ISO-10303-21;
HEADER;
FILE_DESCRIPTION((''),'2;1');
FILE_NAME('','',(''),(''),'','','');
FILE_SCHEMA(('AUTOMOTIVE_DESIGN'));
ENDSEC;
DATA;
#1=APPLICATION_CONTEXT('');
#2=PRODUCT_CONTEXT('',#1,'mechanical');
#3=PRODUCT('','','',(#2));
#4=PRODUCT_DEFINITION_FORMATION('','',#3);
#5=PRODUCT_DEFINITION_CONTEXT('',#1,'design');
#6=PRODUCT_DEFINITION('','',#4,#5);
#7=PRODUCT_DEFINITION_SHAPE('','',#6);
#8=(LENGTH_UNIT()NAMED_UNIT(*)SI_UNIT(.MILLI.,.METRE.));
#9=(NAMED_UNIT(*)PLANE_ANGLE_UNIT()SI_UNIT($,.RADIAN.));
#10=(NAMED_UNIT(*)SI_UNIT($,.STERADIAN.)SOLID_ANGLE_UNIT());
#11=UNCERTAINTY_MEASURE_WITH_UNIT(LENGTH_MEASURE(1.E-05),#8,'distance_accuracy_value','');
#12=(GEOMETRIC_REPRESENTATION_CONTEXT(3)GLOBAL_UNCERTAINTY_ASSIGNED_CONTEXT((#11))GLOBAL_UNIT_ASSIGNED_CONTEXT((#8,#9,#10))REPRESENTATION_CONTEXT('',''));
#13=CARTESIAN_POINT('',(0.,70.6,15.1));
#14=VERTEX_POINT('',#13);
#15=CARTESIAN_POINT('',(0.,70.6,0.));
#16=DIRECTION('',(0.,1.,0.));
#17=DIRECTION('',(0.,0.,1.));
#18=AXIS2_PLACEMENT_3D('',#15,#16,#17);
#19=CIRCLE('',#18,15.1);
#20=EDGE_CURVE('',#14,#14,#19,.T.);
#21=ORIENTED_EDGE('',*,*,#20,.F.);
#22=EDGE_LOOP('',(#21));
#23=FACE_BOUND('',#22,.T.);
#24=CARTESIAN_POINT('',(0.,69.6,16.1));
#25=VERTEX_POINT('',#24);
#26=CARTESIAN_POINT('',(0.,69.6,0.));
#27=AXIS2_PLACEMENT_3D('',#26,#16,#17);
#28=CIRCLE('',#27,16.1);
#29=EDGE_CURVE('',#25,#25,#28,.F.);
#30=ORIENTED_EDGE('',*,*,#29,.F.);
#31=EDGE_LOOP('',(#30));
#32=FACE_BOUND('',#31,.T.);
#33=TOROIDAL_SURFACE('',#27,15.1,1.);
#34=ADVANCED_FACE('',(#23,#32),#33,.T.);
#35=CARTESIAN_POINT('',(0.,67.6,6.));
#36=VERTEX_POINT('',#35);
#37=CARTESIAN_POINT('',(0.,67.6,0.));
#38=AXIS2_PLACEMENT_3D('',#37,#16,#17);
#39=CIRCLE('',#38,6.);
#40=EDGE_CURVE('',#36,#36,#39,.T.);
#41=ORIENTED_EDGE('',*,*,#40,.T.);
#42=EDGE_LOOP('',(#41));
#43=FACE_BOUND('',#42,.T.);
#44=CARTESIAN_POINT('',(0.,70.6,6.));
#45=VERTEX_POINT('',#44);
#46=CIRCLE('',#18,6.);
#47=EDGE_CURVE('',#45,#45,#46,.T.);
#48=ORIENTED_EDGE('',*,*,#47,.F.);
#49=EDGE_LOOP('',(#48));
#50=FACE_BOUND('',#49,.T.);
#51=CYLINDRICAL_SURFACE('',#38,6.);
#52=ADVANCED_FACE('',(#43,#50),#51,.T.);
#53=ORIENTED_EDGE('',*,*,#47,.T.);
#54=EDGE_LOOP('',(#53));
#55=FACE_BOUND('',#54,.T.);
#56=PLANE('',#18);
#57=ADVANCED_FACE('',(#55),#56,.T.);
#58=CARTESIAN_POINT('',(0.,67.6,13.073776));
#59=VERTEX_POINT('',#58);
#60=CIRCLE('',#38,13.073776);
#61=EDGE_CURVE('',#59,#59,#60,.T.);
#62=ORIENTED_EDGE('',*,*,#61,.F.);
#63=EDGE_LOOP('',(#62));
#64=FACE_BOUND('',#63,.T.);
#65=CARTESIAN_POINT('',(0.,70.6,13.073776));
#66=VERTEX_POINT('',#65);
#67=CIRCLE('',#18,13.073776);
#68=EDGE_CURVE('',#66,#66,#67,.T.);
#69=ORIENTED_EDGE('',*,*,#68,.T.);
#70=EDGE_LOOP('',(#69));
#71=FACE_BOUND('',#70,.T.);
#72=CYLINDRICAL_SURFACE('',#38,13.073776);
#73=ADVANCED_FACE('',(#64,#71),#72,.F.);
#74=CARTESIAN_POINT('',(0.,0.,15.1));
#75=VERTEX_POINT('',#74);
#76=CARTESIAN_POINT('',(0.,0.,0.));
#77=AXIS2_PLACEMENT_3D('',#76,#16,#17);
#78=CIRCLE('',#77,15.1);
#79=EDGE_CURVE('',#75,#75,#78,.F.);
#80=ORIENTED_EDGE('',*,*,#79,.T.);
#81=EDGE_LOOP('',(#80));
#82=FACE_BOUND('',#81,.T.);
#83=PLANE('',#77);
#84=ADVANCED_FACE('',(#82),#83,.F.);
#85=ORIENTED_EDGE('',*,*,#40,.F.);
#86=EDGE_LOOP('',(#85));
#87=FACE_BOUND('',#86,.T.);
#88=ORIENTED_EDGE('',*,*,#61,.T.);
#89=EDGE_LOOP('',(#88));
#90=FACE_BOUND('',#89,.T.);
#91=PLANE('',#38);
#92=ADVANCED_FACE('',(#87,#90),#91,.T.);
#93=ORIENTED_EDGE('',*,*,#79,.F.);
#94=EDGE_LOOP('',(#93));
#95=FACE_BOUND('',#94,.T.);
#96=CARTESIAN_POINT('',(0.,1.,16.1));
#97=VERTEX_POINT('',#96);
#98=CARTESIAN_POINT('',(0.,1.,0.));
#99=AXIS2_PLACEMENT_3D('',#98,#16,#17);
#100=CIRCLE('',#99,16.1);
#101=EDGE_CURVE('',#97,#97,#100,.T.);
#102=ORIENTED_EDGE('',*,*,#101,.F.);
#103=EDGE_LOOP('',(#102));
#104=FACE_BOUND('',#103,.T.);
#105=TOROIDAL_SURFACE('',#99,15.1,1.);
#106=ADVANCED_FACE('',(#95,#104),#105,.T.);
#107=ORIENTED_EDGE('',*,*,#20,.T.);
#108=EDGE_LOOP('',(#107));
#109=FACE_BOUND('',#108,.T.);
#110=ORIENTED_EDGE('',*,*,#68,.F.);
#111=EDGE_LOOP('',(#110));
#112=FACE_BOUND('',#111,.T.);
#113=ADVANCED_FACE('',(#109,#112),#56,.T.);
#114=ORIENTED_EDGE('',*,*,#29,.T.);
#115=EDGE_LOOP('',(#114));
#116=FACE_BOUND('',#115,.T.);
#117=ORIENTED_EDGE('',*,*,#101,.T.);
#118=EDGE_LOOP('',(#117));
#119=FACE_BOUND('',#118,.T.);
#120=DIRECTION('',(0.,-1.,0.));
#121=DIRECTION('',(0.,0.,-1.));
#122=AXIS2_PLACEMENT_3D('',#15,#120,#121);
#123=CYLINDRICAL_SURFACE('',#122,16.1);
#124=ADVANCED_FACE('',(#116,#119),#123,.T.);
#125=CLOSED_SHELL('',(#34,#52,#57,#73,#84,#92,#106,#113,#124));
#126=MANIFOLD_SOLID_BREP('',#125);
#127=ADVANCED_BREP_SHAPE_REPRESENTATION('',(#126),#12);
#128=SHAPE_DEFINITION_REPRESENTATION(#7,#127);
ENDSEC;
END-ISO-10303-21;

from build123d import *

# Parameters (mm, degrees)
SKETCH_1_R          = 16.1
EXTRUDE_1_DEPTH     = 70.6
SKETCH_3_R          = 13.073776485
SKETCH_3_R_2        = 6
CUT_EXTRUDE_1_DEPTH = 3
FILLET_1_R          = 1
FILLET_2_R          = 1


with BuildPart() as part:
    # 草图1 → 凸台-拉伸1 (new body)
    with BuildSketch(Plane(origin=(0, 0, 0), x_dir=(1, 0, 0), z_dir=(0, 1, 0))):
        Circle(SKETCH_1_R)
    extrude(amount=EXTRUDE_1_DEPTH)

    # 草图3 → 切除-拉伸1 (cut)
    with BuildSketch(Plane(origin=(0, 70.6, 0), x_dir=(1, 0, 0), z_dir=(0, 1, 0))):
        Circle(SKETCH_3_R)
        Circle(SKETCH_3_R_2, mode=Mode.SUBTRACT)
    extrude(amount=-CUT_EXTRUDE_1_DEPTH, mode=Mode.SUBTRACT)

    # 圆角1
    fillet_1_edges = [part.edges().sort_by_distance(p)[0] for p in [
        (-16.1, 0, 0),
    ]]
    fillet(fillet_1_edges, radius=FILLET_1_R)

    # 圆角2
    fillet_2_edges = [part.edges().sort_by_distance(p)[0] for p in [
        (-16.1, 70.6, 0),
    ]]
    fillet(fillet_2_edges, radius=FILLET_2_R)


solid = part.part
